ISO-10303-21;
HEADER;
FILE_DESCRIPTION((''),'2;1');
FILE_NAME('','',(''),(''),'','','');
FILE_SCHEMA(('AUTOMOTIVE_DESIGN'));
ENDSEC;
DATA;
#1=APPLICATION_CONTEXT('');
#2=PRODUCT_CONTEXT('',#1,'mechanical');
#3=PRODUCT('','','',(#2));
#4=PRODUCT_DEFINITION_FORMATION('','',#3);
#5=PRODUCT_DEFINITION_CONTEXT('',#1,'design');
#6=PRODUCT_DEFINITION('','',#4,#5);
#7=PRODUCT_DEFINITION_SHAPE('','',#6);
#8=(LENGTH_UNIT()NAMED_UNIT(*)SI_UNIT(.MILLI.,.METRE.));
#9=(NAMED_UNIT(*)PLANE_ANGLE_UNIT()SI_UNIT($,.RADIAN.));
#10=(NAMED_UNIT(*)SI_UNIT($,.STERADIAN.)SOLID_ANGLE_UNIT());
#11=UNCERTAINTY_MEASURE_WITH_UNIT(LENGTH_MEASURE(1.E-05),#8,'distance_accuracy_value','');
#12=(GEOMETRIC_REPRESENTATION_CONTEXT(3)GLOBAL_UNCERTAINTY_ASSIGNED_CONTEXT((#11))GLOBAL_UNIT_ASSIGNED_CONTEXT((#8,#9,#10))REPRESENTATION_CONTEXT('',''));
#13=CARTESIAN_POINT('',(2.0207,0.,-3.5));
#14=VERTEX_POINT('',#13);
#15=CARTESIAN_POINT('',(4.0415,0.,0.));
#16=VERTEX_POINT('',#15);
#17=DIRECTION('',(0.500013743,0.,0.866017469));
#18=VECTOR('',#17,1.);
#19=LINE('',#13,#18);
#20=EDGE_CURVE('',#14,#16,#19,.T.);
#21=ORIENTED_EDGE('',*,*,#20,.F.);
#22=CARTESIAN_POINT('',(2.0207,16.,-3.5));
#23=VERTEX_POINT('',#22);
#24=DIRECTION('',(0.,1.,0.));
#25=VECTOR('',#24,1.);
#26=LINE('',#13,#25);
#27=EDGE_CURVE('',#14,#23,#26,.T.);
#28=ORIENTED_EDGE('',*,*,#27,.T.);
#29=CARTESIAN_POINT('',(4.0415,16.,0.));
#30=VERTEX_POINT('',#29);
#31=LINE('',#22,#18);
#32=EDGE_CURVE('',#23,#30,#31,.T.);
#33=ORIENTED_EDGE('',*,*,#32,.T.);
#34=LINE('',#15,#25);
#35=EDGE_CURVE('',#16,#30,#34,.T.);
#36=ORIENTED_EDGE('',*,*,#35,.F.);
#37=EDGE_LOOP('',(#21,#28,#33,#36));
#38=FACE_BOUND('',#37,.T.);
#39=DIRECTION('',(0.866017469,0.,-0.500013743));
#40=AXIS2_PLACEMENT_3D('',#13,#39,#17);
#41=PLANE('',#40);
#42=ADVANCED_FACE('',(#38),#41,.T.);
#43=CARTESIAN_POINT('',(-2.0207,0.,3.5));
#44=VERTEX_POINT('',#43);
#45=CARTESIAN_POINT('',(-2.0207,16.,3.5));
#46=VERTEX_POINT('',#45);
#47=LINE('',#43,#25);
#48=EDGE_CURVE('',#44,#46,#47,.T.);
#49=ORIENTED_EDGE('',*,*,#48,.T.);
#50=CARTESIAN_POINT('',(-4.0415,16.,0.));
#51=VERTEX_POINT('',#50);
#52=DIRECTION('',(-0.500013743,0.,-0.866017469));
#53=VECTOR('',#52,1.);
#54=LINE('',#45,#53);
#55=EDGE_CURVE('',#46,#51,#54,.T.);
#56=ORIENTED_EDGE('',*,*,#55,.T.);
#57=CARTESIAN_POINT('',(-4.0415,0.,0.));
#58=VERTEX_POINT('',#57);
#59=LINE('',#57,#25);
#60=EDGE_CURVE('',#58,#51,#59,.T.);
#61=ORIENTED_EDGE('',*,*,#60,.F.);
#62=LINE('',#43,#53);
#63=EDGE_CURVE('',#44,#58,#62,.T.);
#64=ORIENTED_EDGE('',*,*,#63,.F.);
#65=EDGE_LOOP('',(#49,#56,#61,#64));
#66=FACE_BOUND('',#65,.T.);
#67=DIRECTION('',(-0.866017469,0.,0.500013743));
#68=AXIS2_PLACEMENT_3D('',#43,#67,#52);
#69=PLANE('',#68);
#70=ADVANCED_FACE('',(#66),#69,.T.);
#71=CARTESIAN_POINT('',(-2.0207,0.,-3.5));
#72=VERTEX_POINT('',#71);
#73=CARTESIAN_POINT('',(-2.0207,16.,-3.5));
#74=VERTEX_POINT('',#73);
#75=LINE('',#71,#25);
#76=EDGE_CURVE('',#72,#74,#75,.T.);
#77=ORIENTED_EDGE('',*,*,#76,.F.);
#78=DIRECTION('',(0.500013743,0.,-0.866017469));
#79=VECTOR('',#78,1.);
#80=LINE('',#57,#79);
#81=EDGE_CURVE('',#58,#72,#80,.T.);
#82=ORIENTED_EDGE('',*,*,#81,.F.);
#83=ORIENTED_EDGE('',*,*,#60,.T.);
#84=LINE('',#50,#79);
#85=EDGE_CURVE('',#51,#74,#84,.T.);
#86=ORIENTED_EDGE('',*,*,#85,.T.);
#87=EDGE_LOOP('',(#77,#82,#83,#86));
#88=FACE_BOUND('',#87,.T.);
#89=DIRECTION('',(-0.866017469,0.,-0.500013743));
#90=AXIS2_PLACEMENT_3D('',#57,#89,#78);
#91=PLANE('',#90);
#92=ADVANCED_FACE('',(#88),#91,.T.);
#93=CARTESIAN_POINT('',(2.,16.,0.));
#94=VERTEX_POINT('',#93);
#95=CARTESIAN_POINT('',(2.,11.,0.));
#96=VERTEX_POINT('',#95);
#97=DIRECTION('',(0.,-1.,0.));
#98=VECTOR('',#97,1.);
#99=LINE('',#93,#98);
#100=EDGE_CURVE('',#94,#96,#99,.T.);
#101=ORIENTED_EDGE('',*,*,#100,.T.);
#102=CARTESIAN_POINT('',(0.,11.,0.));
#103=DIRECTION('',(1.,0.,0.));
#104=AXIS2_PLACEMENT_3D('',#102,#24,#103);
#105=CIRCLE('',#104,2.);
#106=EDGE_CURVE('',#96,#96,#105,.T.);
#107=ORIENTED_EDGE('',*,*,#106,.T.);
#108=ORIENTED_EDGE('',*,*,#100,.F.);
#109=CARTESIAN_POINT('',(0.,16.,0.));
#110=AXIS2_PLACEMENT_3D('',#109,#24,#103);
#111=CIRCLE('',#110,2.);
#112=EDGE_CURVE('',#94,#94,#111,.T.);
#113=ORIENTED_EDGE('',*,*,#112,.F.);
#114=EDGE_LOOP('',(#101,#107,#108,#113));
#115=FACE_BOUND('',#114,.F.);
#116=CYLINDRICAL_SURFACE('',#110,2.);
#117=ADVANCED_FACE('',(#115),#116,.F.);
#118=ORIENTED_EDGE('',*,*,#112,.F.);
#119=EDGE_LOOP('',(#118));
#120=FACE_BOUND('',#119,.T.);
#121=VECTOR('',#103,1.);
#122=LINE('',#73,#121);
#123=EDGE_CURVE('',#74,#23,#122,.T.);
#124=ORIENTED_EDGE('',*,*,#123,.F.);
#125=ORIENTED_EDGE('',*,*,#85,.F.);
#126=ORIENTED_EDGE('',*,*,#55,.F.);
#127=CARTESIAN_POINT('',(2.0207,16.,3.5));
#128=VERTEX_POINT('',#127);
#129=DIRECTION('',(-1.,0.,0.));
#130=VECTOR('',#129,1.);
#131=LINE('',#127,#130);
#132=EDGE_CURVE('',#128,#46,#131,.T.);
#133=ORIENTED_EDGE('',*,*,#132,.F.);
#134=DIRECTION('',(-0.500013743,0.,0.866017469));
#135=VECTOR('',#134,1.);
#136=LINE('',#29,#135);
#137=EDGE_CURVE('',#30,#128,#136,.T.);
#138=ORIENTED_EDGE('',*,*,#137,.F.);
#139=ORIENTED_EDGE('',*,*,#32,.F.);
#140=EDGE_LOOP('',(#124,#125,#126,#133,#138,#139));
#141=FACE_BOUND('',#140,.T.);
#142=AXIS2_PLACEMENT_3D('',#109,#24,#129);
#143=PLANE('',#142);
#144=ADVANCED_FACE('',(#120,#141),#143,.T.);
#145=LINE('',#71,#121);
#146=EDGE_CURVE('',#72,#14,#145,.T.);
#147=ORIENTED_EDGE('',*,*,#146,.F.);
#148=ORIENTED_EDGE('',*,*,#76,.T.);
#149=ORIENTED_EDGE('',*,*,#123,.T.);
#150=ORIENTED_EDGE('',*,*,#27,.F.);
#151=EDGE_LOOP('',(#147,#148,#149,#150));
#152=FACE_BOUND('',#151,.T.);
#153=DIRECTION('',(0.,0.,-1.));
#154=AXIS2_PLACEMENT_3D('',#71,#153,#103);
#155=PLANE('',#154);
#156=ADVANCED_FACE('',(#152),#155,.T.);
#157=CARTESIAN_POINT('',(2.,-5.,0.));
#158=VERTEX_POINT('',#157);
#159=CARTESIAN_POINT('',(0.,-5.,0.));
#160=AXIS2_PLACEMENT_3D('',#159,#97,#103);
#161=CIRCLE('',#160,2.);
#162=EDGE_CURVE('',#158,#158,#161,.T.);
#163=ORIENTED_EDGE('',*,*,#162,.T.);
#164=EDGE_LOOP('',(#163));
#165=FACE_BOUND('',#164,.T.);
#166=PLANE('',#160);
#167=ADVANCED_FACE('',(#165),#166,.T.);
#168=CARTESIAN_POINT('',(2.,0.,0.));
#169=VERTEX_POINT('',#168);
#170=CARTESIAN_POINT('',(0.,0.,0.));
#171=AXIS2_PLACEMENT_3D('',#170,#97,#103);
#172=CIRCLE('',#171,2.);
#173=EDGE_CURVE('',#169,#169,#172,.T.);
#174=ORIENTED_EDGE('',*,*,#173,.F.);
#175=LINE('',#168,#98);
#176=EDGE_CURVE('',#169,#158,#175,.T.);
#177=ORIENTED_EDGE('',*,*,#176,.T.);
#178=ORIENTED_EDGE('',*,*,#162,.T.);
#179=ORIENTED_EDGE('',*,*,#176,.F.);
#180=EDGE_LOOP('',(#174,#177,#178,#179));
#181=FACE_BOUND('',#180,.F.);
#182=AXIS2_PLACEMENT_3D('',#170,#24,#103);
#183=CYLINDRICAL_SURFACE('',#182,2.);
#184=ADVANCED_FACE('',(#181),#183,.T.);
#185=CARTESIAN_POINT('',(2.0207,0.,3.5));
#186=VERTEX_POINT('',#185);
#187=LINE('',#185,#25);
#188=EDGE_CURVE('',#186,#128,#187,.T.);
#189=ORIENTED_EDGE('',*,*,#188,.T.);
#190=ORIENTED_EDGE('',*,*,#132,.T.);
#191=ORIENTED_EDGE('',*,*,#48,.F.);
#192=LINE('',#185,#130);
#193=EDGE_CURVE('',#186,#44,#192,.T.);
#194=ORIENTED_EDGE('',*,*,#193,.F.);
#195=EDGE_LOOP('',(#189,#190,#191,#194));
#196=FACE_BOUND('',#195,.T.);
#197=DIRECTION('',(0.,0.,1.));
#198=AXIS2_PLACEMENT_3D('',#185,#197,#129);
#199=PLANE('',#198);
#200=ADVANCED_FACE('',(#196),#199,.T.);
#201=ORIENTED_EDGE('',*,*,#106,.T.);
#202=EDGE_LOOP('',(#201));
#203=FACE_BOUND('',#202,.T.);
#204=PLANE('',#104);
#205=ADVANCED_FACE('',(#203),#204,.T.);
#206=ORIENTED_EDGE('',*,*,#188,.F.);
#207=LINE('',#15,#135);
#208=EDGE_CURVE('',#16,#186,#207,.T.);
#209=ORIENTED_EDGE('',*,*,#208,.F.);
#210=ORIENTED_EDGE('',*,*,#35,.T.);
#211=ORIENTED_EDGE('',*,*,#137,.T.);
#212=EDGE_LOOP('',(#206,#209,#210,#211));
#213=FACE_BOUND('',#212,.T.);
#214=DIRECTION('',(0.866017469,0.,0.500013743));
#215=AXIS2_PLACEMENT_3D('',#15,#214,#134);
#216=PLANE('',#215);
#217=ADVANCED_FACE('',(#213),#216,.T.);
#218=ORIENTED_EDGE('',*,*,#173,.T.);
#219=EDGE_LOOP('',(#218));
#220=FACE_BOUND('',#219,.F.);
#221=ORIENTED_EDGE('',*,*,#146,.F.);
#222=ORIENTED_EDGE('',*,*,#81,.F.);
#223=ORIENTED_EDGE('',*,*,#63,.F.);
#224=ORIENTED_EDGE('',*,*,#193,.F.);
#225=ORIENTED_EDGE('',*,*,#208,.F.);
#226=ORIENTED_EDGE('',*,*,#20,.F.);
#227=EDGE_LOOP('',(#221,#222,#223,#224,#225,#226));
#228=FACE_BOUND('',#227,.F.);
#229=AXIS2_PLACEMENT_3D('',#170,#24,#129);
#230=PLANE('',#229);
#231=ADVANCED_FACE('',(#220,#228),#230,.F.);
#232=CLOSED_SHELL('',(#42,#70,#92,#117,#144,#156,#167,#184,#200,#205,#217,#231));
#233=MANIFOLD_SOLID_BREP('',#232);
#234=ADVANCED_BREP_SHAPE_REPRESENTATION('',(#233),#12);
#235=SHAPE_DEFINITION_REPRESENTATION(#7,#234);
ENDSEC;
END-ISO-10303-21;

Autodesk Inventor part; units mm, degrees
ref_plane "YZ Plane" through (0, 0, 0) normal (1, 0, 0) x (0, 1, 0)
ref_plane "XZ Plane" through (0, 0, 0) normal (0, 1, 0) x (-1, 0, 0)
ref_plane "XY Plane" through (0, 0, 0) normal (0, 0, 1) x (1, 0, 0)
sketch "Sketch1" plane through (0, 0, 0) normal (0, 1, 0) x (-1, 0, 0)
  line L0 (4.0415, 0) -> (2.0207, -3.5)
  line L1 (2.0207, -3.5) -> (-2.0207, -3.5)
  line L2 (-2.0207, -3.5) -> (-4.0415, 0)
  line L3 (-4.0415, 0) -> (-2.0207, 3.5)
  line L4 (-2.0207, 3.5) -> (2.0207, 3.5)
  line L5 (2.0207, 3.5) -> (4.0415, 0)
  point P0 (0, 0)
  point P1 (0, 0)
  dimension "d0" = 7
extrude "Extrusion1" add sketch "Sketch1" along normal blind 16
sketch "Sketch2" plane through (0, 0, 0) normal (0, -1, 0) x (1, 0, 0)
  circle A0 centre (0, 0) radius 2
  dimension "d3" = 4
extrude "Extrusion2" add sketch "Sketch2" along normal blind 5
sketch "Sketch3" plane through (0, 16, 0) normal (0, 1, 0) x (1, 0, 0)
  circle A0 centre (0, 0) radius 2
  dimension "d6" = 4
extrude "Extrusion3" cut sketch "Sketch3" against normal blind 5
properties part number "dystans 20mm"
